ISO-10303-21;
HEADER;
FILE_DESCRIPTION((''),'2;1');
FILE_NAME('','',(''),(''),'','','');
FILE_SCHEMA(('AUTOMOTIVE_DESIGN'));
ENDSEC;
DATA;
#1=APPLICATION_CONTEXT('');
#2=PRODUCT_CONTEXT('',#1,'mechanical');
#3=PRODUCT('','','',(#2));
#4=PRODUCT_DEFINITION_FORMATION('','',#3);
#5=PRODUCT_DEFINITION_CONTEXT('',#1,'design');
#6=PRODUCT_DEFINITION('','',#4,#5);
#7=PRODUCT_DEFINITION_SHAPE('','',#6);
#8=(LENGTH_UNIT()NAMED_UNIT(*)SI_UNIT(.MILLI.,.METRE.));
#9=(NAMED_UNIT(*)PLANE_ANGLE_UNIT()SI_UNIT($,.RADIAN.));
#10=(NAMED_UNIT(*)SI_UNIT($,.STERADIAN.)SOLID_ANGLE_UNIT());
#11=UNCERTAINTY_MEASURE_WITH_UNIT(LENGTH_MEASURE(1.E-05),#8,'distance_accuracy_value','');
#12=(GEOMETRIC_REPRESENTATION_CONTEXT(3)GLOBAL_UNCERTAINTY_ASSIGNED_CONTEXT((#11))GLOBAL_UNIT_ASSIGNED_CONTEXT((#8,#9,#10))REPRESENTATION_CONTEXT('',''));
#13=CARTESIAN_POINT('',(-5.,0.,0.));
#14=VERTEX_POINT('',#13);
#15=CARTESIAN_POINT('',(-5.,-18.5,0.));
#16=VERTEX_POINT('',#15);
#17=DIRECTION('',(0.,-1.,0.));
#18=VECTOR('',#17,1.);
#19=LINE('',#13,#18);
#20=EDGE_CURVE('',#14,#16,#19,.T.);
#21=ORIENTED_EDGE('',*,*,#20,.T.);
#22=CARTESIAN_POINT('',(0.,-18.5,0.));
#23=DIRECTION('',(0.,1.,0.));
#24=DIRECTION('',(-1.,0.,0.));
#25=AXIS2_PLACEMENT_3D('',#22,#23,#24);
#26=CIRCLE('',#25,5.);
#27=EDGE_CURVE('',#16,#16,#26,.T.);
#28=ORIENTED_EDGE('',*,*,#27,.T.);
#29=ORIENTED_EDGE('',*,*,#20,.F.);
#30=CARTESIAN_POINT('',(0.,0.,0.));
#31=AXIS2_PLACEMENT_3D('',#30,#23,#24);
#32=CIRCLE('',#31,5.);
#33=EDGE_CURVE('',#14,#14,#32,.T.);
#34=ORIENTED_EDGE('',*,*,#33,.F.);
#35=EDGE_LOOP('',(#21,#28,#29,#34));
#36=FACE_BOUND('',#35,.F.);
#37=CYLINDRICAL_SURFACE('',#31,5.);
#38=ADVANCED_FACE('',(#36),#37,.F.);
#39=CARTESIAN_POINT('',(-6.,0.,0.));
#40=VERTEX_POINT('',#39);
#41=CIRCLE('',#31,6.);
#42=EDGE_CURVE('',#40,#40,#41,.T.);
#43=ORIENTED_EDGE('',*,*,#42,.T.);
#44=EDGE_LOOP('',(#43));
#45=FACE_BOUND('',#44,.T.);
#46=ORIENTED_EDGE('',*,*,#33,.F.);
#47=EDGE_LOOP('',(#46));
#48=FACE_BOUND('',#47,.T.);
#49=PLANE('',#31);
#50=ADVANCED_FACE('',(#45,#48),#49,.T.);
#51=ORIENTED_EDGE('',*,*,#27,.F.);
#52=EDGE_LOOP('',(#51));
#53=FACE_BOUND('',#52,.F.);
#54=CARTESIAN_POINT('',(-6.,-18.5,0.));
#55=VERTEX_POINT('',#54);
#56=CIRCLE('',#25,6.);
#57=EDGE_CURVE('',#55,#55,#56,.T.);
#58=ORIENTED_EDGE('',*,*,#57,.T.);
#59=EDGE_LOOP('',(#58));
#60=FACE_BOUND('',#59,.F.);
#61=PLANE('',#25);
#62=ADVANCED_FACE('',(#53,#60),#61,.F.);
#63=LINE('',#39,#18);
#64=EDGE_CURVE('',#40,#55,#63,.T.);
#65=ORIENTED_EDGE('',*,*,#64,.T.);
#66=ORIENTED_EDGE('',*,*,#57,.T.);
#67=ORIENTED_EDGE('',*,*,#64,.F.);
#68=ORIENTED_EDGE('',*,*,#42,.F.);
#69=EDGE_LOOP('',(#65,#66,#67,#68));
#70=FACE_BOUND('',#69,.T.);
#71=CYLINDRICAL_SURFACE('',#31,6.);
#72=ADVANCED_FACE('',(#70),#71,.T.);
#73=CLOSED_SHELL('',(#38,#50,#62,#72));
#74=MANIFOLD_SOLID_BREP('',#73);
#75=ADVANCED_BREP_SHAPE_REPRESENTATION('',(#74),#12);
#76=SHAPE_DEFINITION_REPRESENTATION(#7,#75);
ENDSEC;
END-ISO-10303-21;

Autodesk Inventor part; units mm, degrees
ref_plane "YZ Plane" through (0, 0, 0) normal (1, 0, 0) x (0, 1, 0)
ref_plane "XZ Plane" through (0, 0, 0) normal (0, 1, 0) x (-1, 0, 0)
ref_plane "XY Plane" through (0, 0, 0) normal (0, 0, 1) x (1, 0, 0)
sketch "Skizze1" plane through (0, 0, 0) normal (0, 1, 0) x (-1, 0, 0)
  circle A0 centre (0, 0) radius 6
  circle A1 centre (0, 0) radius 5
  dimension "d0" = 12
  dimension "d1" = 10
extrude "Extrusion1" add sketch "Skizze1" against normal blind 18.5
properties part number "203_welle" material "Edelstahl"
